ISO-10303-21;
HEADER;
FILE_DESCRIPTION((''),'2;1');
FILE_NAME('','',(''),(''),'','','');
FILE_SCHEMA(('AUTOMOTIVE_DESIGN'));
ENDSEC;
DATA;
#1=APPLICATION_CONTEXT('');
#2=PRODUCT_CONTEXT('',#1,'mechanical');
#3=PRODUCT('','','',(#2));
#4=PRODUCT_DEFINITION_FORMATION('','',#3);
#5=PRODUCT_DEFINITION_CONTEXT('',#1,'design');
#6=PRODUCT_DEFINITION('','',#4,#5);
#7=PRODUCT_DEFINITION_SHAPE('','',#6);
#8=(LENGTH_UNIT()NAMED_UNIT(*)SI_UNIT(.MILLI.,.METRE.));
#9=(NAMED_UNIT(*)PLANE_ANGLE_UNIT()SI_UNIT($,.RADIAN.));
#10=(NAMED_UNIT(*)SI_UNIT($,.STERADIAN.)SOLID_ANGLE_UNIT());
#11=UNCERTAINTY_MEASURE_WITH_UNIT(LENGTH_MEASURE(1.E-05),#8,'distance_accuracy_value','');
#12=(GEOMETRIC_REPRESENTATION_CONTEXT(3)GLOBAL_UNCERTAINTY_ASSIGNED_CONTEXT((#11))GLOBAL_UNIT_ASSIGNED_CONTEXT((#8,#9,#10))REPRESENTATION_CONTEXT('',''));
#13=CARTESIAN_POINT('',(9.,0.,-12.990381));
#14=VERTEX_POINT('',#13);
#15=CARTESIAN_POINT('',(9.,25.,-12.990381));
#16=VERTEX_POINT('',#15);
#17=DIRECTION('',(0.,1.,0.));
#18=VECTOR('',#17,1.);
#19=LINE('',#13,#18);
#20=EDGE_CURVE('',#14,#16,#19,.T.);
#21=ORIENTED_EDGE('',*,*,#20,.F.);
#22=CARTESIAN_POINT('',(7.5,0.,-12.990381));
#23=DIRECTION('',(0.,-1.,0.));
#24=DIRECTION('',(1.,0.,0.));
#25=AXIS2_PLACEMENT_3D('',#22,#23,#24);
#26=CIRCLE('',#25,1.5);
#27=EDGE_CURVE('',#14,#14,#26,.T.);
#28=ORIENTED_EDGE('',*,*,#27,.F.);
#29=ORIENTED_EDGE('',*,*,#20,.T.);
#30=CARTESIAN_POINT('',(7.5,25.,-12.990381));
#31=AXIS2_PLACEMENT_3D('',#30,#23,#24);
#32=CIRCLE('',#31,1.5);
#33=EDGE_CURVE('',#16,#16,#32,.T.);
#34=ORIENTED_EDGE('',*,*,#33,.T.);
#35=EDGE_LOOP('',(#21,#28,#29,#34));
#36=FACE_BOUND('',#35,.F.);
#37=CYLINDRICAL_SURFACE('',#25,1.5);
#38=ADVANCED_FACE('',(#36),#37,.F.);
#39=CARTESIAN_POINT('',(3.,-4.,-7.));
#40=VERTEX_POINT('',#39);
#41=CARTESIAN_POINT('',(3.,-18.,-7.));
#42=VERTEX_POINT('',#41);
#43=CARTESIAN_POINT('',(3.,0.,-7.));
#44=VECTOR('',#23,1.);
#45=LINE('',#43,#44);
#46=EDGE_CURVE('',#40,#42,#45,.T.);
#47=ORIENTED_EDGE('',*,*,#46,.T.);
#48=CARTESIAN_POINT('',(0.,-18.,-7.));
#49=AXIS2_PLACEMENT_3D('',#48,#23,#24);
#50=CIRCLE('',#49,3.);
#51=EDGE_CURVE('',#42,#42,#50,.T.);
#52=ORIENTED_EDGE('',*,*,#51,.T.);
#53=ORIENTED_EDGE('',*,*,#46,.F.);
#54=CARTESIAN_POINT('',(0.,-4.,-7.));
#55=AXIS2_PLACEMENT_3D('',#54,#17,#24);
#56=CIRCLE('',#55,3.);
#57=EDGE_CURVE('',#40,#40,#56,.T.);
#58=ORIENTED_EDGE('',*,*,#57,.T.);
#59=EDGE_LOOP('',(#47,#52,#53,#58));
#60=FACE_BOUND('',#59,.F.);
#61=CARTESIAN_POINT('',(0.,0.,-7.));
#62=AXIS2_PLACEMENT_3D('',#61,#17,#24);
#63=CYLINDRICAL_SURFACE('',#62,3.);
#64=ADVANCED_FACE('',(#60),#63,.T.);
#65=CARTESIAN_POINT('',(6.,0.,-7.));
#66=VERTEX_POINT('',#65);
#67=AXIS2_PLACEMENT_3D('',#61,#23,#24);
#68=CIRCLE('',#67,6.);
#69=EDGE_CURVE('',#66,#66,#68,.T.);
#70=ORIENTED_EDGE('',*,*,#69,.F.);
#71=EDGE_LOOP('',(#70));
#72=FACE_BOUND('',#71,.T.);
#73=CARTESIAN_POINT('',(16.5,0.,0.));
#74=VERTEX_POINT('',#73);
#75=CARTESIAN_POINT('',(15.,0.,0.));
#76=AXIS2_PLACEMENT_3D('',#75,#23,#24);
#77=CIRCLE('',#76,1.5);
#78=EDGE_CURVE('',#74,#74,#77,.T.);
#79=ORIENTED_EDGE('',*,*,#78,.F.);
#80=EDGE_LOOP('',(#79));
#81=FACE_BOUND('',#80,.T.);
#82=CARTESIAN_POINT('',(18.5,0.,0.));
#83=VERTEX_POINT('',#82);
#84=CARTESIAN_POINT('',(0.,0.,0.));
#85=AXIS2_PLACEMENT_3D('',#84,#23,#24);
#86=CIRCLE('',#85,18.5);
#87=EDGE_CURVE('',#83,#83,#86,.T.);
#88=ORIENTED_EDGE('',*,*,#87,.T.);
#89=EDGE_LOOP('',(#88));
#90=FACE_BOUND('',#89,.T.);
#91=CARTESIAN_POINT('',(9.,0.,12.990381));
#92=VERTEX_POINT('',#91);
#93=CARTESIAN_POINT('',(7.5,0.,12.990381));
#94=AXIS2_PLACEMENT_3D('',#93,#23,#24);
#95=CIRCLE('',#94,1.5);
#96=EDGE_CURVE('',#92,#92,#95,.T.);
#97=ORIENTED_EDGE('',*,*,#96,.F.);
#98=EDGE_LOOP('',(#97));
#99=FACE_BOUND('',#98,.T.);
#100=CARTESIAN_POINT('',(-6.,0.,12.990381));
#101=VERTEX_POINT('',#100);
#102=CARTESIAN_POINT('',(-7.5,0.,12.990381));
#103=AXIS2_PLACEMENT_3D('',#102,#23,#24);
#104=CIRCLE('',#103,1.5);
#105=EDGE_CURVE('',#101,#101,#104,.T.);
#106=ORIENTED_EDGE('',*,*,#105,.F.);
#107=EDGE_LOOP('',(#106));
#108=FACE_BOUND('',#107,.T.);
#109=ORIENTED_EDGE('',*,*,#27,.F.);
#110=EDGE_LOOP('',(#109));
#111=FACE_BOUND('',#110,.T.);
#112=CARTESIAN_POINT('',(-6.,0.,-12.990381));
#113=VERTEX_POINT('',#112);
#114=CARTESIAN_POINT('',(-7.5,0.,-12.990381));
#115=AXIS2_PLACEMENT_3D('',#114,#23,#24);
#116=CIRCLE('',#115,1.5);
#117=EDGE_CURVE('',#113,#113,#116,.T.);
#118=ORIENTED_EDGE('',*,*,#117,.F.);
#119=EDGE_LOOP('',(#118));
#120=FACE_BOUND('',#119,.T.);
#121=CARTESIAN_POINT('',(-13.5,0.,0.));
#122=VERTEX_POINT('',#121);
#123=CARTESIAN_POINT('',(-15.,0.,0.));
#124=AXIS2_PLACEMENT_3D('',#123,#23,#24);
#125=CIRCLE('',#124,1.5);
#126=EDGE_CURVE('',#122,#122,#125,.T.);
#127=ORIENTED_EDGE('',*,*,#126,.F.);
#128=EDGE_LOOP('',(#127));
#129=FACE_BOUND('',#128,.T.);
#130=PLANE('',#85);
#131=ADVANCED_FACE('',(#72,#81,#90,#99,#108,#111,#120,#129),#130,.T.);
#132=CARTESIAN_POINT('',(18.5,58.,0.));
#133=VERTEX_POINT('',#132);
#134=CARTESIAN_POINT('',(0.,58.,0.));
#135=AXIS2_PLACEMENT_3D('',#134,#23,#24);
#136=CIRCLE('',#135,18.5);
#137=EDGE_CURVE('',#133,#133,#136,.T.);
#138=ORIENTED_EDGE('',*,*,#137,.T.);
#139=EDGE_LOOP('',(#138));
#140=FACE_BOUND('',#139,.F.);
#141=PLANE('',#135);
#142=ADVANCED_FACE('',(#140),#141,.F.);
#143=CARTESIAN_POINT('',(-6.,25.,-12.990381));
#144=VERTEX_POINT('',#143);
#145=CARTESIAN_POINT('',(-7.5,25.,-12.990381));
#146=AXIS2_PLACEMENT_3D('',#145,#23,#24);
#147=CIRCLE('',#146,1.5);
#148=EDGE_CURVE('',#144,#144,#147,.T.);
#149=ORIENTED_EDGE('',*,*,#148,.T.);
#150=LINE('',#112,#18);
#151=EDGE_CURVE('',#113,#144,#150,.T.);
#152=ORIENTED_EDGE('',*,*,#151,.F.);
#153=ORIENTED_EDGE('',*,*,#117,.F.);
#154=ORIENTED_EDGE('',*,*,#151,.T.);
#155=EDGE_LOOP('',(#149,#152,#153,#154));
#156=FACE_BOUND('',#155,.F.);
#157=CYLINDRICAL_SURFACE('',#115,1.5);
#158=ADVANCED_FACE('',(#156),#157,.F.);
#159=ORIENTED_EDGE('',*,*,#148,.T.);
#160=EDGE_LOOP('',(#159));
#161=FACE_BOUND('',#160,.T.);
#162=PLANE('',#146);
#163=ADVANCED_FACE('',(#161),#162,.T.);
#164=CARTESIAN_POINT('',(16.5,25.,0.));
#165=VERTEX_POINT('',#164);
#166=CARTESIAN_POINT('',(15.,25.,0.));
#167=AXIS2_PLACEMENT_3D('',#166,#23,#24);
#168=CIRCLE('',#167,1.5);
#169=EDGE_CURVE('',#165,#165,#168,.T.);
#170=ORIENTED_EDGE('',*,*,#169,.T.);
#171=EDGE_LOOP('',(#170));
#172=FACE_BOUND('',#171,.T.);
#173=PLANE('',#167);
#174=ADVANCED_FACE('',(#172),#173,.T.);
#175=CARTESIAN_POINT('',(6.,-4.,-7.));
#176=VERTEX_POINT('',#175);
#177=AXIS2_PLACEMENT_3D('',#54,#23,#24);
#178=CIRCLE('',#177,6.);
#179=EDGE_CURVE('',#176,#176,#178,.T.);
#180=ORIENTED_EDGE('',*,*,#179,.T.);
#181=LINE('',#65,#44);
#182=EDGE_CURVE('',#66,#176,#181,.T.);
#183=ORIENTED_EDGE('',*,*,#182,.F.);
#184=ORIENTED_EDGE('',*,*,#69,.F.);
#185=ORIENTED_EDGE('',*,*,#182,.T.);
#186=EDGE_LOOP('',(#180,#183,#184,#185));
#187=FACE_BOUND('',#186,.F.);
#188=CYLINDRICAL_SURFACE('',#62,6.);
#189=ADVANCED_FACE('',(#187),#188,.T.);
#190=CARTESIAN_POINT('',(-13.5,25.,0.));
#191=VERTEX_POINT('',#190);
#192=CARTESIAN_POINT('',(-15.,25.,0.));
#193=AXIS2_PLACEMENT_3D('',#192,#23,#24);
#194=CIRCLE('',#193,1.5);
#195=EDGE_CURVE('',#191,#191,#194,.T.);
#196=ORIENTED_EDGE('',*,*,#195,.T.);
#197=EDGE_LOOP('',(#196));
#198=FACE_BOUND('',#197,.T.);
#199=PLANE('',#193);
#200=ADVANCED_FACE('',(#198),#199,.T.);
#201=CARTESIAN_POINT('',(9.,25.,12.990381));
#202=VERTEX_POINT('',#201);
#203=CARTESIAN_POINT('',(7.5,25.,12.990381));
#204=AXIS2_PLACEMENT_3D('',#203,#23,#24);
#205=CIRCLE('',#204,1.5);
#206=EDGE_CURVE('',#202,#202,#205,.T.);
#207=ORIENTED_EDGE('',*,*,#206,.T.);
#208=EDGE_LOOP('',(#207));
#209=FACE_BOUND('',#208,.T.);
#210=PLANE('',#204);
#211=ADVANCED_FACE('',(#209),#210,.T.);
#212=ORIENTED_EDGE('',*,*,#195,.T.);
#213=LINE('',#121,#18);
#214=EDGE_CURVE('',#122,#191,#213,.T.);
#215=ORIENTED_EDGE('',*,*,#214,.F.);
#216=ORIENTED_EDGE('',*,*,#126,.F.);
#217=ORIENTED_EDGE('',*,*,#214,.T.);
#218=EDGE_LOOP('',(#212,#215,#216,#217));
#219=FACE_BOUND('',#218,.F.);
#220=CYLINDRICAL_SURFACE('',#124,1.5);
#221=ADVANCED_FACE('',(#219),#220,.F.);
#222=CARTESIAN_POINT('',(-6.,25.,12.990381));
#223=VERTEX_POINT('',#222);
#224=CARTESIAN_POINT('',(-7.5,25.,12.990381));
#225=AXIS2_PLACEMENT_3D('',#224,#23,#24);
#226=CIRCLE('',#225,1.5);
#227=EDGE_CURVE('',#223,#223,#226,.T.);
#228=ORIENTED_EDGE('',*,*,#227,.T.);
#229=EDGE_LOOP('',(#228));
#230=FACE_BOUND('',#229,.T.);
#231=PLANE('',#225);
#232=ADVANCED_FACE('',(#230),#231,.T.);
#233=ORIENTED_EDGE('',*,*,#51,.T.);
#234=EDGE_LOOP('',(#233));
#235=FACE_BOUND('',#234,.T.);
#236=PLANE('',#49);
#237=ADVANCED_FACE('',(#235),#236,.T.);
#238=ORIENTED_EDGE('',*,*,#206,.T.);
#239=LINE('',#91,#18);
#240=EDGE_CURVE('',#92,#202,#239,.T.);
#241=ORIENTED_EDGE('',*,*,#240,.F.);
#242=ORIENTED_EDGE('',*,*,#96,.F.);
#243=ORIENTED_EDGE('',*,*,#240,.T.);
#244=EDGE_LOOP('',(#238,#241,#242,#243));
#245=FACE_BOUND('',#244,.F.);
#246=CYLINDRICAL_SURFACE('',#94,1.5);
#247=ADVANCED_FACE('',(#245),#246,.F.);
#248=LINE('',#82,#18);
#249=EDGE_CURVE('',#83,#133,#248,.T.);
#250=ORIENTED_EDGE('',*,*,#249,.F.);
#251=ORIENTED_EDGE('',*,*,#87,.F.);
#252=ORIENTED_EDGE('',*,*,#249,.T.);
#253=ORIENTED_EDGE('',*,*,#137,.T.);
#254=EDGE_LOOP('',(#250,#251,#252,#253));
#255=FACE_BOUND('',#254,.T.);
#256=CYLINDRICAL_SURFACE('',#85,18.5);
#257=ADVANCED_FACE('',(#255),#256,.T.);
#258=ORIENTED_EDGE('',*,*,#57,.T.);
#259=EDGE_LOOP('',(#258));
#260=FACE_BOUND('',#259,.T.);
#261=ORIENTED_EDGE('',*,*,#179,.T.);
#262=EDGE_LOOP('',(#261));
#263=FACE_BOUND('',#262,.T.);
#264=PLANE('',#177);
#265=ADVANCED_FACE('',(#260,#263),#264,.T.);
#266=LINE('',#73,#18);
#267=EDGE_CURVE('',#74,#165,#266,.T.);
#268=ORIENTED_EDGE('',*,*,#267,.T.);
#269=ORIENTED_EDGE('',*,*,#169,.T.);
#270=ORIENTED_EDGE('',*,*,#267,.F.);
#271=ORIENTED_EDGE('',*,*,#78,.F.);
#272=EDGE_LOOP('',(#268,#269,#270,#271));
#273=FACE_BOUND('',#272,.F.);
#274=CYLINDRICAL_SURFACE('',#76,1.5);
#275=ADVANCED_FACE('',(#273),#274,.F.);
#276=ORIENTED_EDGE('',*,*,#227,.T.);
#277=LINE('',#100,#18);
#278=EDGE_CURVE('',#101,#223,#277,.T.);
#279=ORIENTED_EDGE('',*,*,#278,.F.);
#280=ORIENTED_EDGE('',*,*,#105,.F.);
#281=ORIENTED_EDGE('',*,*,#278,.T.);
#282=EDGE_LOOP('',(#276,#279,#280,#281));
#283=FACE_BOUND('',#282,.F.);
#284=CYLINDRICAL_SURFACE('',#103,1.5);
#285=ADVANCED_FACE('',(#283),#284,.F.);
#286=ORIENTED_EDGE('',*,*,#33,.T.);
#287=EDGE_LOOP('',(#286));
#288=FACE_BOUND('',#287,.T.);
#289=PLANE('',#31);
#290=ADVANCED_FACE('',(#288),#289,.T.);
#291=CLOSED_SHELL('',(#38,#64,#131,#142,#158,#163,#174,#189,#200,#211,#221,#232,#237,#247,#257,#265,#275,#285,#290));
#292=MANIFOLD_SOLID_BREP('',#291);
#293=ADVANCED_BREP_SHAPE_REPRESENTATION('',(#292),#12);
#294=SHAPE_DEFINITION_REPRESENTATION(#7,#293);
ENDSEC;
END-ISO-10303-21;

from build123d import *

# Parameters (mm, degrees)
F0_R     = 18.5
F0_R_2   = 1.5
F0_R_3   = 6
F0_R_4   = 3
F1_DEPTH = 58
F2_DEPTH = 4
F3_DEPTH = 18
F4_DEPTH = 25


with BuildPart() as f1:
    # F0 (on Front) → F1 (new body)
    with BuildSketch(Plane.XZ):
        Circle(F0_R)
        with Locations((-7.5, -12.990381)):
            Circle(F0_R_2, mode=Mode.SUBTRACT)
        with Locations((7.5, -12.990381)):
            Circle(F0_R_2, mode=Mode.SUBTRACT)
        with Locations((0, -7)):
            Circle(F0_R_3, mode=Mode.SUBTRACT)
        with Locations((-15, 0)):
            Circle(F0_R_2, mode=Mode.SUBTRACT)
        with Locations((-7.5, 12.990381)):
            Circle(F0_R_2, mode=Mode.SUBTRACT)
        with Locations((15, 0)):
            Circle(F0_R_2, mode=Mode.SUBTRACT)
        with Locations((7.5, 12.990381)):
            Circle(F0_R_2, mode=Mode.SUBTRACT)
        with Locations((0, -7)):
            Circle(F0_R_3)
        with Locations((0, -7)):
            Circle(F0_R_4, mode=Mode.SUBTRACT)
        with Locations((0, -7)):
            Circle(F0_R_4)
        with Locations((-7.5, 12.990381)):
            Circle(F0_R_2)
        with Locations((7.5, 12.990381)):
            Circle(F0_R_2)
        with Locations((15, 0)):
            Circle(F0_R_2)
        with Locations((7.5, -12.990381)):
            Circle(F0_R_2)
        with Locations((-7.5, -12.990381)):
            Circle(F0_R_2)
        with Locations((-15, 0)):
            Circle(F0_R_2)
    extrude(amount=-F1_DEPTH)

    # F0 (on Front) → F2 (join)
    with BuildSketch(Plane.XZ):
        with Locations((0, -7)):
            Circle(F0_R_3)
        with Locations((0, -7)):
            Circle(F0_R_4, mode=Mode.SUBTRACT)
        with Locations((0, -7)):
            Circle(F0_R_4)
    extrude(amount=F2_DEPTH)

    # F0 (on Front) → F3 (join)
    with BuildSketch(Plane.XZ):
        with Locations((0, -7)):
            Circle(F0_R_4)
    extrude(amount=F3_DEPTH)

    # F0 (on Front) → F4 (cut)
    with BuildSketch(Plane.XZ):
        with Locations((7.5, 12.990381)):
            Circle(F0_R_2)
        with Locations((-7.5, 12.990381)):
            Circle(F0_R_2)
        with Locations((-15, 0)):
            Circle(F0_R_2)
        with Locations((7.5, -12.990381)):
            Circle(F0_R_2)
        with Locations((15, 0)):
            Circle(F0_R_2)
        with Locations((-7.5, -12.990381)):
            Circle(F0_R_2)
    extrude(amount=-F4_DEPTH, mode=Mode.SUBTRACT)


solid = f1.part
